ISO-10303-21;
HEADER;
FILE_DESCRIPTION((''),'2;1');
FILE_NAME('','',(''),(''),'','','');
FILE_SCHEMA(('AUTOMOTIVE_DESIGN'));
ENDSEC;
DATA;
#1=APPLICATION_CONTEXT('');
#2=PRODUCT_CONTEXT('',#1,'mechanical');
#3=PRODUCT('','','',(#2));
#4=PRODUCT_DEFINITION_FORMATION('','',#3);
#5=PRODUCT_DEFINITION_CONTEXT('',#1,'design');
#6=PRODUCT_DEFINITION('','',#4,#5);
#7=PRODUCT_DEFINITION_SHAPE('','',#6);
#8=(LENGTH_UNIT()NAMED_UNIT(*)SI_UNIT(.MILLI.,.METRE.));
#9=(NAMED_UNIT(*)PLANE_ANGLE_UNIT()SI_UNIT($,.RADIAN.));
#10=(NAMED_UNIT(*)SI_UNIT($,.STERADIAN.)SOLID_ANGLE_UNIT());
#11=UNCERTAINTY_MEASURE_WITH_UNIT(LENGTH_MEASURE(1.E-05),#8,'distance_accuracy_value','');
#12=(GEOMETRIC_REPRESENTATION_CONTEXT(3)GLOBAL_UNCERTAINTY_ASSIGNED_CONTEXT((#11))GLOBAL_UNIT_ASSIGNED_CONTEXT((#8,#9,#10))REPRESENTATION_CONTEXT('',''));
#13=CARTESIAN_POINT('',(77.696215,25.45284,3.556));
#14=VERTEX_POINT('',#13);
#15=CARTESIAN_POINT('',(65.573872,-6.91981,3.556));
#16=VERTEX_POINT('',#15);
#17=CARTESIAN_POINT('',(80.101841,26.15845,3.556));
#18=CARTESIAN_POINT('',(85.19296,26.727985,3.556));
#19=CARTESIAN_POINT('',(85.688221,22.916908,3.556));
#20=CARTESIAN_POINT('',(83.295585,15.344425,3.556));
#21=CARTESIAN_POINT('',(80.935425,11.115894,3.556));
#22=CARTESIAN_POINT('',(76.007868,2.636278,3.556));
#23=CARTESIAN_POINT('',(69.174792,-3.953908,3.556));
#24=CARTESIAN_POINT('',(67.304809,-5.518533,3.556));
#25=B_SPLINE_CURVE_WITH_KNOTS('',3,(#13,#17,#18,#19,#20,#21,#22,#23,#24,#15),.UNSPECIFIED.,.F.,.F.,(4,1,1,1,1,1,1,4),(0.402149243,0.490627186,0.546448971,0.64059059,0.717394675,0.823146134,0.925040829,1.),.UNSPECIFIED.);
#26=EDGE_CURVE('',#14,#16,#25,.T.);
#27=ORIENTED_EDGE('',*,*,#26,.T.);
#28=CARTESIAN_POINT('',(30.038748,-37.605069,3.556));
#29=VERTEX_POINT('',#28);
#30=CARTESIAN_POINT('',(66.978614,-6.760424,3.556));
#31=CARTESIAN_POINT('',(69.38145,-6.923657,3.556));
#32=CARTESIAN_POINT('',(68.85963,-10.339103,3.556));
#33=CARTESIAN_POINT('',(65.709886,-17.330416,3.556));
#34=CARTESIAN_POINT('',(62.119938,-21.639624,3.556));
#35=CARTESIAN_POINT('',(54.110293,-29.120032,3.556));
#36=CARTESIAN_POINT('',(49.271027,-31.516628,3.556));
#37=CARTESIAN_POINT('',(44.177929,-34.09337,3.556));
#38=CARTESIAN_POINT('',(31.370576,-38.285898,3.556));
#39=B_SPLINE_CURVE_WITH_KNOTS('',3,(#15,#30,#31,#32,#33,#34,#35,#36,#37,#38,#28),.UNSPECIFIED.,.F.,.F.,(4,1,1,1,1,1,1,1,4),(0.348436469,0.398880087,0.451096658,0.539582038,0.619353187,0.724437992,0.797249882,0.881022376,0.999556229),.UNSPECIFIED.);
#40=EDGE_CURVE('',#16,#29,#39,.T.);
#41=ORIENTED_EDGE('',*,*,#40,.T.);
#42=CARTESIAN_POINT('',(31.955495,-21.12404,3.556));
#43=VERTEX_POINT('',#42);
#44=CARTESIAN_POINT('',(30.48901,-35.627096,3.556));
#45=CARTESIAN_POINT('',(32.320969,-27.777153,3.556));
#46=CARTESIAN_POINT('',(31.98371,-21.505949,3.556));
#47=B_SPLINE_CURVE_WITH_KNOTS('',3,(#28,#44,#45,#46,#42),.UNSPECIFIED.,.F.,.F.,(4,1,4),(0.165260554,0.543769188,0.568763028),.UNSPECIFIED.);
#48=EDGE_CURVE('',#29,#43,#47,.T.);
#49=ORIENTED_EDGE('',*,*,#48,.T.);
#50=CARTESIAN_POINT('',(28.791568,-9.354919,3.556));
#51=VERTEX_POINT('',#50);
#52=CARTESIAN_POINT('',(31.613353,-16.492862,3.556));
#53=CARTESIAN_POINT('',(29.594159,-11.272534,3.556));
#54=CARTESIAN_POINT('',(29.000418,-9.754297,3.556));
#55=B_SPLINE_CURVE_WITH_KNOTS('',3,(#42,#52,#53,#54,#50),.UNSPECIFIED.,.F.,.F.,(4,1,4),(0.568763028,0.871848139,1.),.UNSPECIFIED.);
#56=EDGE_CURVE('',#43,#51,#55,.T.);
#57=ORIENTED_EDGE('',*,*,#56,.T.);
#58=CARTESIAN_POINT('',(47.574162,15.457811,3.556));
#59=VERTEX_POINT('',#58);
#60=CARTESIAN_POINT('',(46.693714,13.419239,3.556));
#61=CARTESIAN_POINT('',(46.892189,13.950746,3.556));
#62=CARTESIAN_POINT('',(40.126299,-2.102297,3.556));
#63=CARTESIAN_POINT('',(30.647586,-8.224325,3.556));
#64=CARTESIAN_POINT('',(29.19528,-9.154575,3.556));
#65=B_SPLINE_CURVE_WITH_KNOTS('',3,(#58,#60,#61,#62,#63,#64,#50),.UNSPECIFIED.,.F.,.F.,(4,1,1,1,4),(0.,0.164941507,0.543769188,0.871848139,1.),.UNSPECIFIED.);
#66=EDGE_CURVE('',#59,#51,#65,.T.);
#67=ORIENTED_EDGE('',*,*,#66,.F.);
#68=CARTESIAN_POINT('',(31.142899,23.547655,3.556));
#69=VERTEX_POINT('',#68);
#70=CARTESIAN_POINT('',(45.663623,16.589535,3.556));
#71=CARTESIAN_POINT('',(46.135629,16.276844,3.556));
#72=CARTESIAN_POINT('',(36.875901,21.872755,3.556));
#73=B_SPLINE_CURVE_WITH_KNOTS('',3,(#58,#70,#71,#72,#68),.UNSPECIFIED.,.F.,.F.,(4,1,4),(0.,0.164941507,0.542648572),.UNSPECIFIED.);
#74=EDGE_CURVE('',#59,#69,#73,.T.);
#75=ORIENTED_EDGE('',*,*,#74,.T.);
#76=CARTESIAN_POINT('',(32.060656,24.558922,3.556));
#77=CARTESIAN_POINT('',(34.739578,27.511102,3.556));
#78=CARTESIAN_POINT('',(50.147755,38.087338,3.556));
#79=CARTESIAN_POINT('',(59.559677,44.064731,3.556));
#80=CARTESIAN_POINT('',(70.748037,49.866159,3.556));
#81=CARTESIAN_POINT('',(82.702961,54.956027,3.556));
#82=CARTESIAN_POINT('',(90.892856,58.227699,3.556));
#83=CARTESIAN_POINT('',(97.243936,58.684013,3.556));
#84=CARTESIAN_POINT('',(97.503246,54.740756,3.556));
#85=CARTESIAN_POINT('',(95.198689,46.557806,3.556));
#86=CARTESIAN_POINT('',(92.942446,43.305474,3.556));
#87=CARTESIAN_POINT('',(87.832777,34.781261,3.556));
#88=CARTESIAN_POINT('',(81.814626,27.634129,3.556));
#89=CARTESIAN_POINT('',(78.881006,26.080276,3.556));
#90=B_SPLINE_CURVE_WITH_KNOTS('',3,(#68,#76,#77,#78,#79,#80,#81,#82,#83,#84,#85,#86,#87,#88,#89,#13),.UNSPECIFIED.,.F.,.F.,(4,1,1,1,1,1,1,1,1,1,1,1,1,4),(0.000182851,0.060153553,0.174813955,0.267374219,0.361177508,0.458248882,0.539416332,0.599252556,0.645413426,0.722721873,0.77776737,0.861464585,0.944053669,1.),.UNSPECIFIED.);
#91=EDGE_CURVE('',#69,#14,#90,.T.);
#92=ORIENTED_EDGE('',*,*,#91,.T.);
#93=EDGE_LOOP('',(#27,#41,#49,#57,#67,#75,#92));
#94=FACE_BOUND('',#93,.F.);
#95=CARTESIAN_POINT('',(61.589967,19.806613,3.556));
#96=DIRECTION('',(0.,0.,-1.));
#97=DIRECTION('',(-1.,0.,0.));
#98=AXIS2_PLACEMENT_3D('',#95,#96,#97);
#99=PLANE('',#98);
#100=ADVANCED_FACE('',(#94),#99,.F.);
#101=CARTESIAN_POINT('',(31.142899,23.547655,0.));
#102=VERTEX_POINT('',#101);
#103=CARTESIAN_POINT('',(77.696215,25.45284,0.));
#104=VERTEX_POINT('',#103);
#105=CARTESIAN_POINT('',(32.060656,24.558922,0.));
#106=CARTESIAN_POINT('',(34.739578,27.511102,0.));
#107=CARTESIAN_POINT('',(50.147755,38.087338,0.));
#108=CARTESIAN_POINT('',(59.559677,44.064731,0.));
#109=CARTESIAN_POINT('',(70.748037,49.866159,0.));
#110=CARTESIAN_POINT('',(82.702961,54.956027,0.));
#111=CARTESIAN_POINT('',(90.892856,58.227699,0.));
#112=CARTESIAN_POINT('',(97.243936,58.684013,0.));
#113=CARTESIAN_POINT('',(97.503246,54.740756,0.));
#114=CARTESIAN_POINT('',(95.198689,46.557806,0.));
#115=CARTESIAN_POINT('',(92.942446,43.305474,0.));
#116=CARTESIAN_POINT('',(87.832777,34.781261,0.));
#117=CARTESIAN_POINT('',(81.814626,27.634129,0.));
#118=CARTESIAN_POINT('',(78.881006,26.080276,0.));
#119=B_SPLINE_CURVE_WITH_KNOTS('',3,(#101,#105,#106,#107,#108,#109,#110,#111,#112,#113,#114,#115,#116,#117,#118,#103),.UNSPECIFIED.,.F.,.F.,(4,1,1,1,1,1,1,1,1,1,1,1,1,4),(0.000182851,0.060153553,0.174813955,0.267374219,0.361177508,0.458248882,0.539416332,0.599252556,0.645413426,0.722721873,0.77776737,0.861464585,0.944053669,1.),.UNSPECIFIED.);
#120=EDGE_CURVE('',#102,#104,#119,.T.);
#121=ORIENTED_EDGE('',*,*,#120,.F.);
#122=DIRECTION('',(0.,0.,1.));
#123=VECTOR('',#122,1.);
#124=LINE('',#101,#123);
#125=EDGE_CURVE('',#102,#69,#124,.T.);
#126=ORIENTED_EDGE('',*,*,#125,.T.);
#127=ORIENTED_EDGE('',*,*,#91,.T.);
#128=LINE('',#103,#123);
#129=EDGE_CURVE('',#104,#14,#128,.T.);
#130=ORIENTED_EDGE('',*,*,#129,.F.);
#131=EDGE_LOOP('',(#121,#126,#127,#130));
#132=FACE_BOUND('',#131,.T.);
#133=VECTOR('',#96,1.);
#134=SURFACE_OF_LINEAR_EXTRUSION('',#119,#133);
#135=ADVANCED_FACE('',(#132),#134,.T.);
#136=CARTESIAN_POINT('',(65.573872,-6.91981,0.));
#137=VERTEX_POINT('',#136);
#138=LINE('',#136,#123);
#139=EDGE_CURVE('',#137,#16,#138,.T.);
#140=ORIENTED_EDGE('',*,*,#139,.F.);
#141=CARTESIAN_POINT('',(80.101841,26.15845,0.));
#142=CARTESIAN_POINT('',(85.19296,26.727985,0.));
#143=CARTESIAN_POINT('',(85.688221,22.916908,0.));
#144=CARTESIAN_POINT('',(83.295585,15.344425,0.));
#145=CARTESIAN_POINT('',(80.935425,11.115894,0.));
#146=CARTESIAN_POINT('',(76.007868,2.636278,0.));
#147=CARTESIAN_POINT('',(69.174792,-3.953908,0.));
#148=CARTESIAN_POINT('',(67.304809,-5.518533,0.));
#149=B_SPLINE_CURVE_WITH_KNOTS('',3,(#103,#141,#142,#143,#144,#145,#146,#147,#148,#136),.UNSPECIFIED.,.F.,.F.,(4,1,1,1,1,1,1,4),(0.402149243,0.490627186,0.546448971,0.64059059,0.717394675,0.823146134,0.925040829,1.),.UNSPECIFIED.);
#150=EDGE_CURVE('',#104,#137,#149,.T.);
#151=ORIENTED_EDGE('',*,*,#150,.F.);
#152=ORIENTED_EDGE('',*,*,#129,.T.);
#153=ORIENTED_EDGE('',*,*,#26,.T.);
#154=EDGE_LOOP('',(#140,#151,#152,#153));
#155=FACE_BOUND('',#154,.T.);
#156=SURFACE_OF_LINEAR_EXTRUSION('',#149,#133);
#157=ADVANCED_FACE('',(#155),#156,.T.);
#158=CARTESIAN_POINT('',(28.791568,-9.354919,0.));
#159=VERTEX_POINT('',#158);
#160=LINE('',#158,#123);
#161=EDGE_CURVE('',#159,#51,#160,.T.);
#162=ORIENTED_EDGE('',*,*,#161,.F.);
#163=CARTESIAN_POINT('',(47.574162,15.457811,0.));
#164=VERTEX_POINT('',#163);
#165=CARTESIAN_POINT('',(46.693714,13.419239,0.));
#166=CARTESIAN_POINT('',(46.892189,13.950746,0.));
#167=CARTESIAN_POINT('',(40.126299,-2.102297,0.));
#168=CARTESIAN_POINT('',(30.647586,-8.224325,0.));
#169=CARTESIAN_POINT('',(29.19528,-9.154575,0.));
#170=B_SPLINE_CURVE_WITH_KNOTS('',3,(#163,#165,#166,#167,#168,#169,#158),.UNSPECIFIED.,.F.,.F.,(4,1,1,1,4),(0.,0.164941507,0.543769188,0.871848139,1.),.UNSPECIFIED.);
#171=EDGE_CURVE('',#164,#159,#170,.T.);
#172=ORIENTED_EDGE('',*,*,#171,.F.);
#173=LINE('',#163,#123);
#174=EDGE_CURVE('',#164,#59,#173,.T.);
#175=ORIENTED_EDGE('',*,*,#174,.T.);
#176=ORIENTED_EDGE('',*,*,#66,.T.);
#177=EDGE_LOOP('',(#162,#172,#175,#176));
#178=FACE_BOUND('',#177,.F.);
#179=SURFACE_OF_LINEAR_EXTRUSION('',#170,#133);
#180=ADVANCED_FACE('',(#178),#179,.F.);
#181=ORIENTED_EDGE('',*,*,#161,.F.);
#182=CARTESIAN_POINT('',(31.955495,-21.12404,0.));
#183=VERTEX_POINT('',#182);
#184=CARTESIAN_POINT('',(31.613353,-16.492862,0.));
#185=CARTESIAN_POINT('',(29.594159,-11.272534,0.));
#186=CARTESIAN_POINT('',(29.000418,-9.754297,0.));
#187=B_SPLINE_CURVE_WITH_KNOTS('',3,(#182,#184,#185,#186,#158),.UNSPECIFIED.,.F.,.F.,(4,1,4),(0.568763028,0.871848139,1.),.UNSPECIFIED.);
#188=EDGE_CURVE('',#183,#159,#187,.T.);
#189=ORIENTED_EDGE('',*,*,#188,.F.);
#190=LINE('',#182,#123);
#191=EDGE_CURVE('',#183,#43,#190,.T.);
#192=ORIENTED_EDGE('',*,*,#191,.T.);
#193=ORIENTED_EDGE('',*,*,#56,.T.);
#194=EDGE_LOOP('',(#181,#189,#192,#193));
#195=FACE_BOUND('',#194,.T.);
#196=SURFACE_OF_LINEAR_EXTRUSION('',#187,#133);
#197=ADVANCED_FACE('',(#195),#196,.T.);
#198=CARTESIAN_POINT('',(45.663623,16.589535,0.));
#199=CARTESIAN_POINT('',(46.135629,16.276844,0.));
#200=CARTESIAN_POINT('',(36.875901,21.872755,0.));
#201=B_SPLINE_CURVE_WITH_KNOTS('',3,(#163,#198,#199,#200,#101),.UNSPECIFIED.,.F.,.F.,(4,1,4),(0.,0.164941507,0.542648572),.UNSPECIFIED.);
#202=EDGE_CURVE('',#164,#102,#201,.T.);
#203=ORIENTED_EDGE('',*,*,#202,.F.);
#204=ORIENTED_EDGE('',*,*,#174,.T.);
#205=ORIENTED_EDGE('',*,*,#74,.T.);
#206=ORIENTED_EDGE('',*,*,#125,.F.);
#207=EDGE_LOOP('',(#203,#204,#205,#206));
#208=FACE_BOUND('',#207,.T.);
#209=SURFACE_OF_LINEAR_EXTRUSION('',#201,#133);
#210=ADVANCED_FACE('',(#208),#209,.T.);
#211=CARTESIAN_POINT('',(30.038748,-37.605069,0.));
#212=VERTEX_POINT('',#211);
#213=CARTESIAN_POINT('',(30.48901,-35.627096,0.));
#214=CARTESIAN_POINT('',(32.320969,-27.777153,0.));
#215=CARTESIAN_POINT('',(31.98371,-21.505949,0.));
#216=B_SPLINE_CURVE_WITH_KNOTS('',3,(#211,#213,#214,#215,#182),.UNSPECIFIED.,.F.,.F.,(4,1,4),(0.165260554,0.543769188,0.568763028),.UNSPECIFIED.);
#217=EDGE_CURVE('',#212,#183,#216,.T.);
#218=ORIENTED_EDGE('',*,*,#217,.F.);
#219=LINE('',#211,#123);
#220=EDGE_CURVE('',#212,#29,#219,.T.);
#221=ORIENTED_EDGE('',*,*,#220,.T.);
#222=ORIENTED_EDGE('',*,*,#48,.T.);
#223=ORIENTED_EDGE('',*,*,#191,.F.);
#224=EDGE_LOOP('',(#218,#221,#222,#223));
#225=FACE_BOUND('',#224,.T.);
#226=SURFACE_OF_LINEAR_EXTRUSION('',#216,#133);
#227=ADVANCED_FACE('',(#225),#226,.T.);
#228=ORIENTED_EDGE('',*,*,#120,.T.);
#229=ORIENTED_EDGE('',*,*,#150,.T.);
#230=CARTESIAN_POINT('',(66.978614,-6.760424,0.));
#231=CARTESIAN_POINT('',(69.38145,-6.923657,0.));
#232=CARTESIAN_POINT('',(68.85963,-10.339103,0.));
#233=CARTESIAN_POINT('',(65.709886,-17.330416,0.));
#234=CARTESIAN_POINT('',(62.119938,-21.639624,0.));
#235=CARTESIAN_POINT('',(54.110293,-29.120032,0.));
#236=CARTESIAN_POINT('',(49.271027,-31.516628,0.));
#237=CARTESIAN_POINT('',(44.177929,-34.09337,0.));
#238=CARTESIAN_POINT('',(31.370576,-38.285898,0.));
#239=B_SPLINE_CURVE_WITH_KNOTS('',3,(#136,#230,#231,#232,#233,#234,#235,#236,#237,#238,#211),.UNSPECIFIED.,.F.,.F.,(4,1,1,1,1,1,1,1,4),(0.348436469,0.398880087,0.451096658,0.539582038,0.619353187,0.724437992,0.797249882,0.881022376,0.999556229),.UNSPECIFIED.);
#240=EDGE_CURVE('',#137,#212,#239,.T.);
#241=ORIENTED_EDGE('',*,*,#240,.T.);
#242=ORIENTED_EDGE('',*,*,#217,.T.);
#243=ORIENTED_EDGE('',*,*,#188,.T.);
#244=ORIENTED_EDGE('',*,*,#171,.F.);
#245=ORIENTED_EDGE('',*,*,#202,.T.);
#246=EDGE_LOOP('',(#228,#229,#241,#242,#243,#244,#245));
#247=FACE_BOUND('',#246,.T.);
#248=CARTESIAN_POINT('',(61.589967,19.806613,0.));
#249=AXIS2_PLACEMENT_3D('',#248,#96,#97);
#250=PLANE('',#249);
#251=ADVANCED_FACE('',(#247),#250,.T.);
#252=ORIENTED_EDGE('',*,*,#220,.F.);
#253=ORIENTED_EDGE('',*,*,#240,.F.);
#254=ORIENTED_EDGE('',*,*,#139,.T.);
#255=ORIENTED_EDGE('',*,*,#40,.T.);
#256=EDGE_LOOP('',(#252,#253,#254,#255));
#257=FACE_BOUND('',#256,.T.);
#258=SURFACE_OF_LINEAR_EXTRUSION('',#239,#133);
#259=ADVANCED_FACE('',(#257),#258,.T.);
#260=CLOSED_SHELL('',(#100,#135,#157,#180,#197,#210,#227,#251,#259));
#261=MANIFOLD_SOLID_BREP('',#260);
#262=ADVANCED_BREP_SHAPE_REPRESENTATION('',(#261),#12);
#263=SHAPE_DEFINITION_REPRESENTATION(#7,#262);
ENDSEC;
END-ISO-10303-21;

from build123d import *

# Parameters (mm, degrees)
F1_DEPTH = 3.556


with BuildPart() as f1:
    # F0 (on Top) → F1 (new body)
    with BuildSketch(Plane.XY):
        with BuildLine():
            add(Edge.make_bspline(
                [(31.1428990211, 23.5476545306), (32.0606564624, 24.5589223003), (34.7395784843, 27.5111017688), (50.1477554815, 38.0873381659), (59.5596766269, 44.0647308984), (70.7480368658, 49.8661585643), (82.7029607735, 54.9560273439), (90.8928562423, 58.2276987312), (97.2439359103, 58.6840126614), (97.5032459899, 54.7407555868), (95.1986890858, 46.5578055264), (92.9424461521, 43.3054740035), (87.8327766471, 34.7812612758), (81.8146257634, 27.6341287753), (78.8810060039, 26.0802761538), (77.696214915, 25.4528395342)],
                knots=[0.0001828511, 0.0001828511, 0.0001828511, 0.0001828511, 0.0601535534, 0.1748139548, 0.267374219, 0.361177508, 0.458248882, 0.5394163321, 0.5992525561, 0.6454134255, 0.7227218732, 0.7777673697, 0.8614645852, 0.9440536686, 1, 1, 1, 1], degree=3))
            add(Edge.make_bspline(
                [(47.5741622382, 15.4578106279), (45.6636227597, 16.5895352882), (46.1356294025, 16.2768437451), (36.8759013646, 21.8727552445), (31.1428990211, 23.5476545306)],
                knots=[0, 0, 0, 0, 0.164941507, 0.5426485723, 0.5426485723, 0.5426485723, 0.5426485723], degree=3))
            add(Edge.make_bspline(
                [(47.5741622382, 15.4578106279), (46.6937143966, 13.4192392155), (46.8921893377, 13.9507458765), (40.1262993601, -2.102296692), (30.6475856968, -8.2243249971), (29.1952798632, -9.1545745609), (28.7915675425, -9.354919095)],
                knots=[0, 0, 0, 0, 0.164941507, 0.5437691883, 0.8718481392, 1, 1, 1, 1], degree=3))
            add(Edge.make_bspline(
                [(31.9554952688, -21.1240404537), (31.6133532987, -16.4928622432), (29.5941589185, -11.2725343253), (29.0004181083, -9.7542973761), (28.7915675425, -9.354919095)],
                knots=[0.5687630283, 0.5687630283, 0.5687630283, 0.5687630283, 0.8718481392, 1, 1, 1, 1], degree=3))
            add(Edge.make_bspline(
                [(31.9554952688, -21.1240404537), (32.292882155, -20.5676410982), (46.5713037101, -13.2368126953), (54.237624595, -10.5827781261), (61.4123082362, -7.609060059), (64.9741183878, -6.9878597358), (65.5738716419, -6.9198099986)],
                knots=[0.0056088741, 0.0056088741, 0.0056088741, 0.0056088741, 0.1226435006, 0.2286888241, 0.3268996202, 0.3484364686, 0.3484364686, 0.3484364686, 0.3484364686], degree=3))
            add(Edge.make_bspline(
                [(77.696214915, 25.4528395342), (80.1018411827, 26.158450049), (85.1929597526, 26.7279845974), (85.6882211473, 22.9169082436), (83.2955850192, 15.344424764), (80.935425426, 11.1158936652), (76.0078684575, 2.6362780549), (69.174792103, -3.9539078637), (67.3048091301, -5.5185332868), (65.5738716419, -6.9198099986)],
                knots=[0.4021492432, 0.4021492432, 0.4021492432, 0.4021492432, 0.4906271861, 0.5464489713, 0.6405905904, 0.7173946747, 0.823146134, 0.9250408291, 1, 1, 1, 1], degree=3))
        make_face()
        with BuildLine():
            add(Edge.make_bspline(
                [(65.5738716419, -6.9198099986), (66.9786140319, -6.7604238679), (69.3814495654, -6.9236572766), (68.8596301842, -10.3391025585), (65.709885908, -17.3304157818), (62.119938261, -21.6396237627), (54.1102928785, -29.1200324649), (49.2710267402, -31.5166276262), (44.1779293136, -34.093370272), (31.3705762113, -38.2858983156), (30.0387481673, -37.6050691051)],
                knots=[0.3484364686, 0.3484364686, 0.3484364686, 0.3484364686, 0.3988800865, 0.4510966581, 0.539582038, 0.6193531869, 0.7244379919, 0.7972498816, 0.8810223758, 0.9995562286, 0.9995562286, 0.9995562286, 0.9995562286], degree=3))
            add(Edge.make_bspline(
                [(31.9554952688, -21.1240404537), (32.292882155, -20.5676410982), (46.5713037101, -13.2368126953), (54.237624595, -10.5827781261), (61.4123082362, -7.609060059), (64.9741183878, -6.9878597358), (65.5738716419, -6.9198099986)],
                knots=[0.0056088741, 0.0056088741, 0.0056088741, 0.0056088741, 0.1226435006, 0.2286888241, 0.3268996202, 0.3484364686, 0.3484364686, 0.3484364686, 0.3484364686], degree=3))
            add(Edge.make_bspline(
                [(30.0387481633, -37.6050691099), (30.4890096555, -35.6270955851), (32.3209688057, -27.7771531043), (31.9837099231, -21.5059494381), (31.9554952688, -21.1240404537)],
                knots=[0.1652605541, 0.1652605541, 0.1652605541, 0.1652605541, 0.5437691883, 0.5687630283, 0.5687630283, 0.5687630283, 0.5687630283], degree=3))
        make_face()
    extrude(amount=F1_DEPTH)


solid = f1.part
